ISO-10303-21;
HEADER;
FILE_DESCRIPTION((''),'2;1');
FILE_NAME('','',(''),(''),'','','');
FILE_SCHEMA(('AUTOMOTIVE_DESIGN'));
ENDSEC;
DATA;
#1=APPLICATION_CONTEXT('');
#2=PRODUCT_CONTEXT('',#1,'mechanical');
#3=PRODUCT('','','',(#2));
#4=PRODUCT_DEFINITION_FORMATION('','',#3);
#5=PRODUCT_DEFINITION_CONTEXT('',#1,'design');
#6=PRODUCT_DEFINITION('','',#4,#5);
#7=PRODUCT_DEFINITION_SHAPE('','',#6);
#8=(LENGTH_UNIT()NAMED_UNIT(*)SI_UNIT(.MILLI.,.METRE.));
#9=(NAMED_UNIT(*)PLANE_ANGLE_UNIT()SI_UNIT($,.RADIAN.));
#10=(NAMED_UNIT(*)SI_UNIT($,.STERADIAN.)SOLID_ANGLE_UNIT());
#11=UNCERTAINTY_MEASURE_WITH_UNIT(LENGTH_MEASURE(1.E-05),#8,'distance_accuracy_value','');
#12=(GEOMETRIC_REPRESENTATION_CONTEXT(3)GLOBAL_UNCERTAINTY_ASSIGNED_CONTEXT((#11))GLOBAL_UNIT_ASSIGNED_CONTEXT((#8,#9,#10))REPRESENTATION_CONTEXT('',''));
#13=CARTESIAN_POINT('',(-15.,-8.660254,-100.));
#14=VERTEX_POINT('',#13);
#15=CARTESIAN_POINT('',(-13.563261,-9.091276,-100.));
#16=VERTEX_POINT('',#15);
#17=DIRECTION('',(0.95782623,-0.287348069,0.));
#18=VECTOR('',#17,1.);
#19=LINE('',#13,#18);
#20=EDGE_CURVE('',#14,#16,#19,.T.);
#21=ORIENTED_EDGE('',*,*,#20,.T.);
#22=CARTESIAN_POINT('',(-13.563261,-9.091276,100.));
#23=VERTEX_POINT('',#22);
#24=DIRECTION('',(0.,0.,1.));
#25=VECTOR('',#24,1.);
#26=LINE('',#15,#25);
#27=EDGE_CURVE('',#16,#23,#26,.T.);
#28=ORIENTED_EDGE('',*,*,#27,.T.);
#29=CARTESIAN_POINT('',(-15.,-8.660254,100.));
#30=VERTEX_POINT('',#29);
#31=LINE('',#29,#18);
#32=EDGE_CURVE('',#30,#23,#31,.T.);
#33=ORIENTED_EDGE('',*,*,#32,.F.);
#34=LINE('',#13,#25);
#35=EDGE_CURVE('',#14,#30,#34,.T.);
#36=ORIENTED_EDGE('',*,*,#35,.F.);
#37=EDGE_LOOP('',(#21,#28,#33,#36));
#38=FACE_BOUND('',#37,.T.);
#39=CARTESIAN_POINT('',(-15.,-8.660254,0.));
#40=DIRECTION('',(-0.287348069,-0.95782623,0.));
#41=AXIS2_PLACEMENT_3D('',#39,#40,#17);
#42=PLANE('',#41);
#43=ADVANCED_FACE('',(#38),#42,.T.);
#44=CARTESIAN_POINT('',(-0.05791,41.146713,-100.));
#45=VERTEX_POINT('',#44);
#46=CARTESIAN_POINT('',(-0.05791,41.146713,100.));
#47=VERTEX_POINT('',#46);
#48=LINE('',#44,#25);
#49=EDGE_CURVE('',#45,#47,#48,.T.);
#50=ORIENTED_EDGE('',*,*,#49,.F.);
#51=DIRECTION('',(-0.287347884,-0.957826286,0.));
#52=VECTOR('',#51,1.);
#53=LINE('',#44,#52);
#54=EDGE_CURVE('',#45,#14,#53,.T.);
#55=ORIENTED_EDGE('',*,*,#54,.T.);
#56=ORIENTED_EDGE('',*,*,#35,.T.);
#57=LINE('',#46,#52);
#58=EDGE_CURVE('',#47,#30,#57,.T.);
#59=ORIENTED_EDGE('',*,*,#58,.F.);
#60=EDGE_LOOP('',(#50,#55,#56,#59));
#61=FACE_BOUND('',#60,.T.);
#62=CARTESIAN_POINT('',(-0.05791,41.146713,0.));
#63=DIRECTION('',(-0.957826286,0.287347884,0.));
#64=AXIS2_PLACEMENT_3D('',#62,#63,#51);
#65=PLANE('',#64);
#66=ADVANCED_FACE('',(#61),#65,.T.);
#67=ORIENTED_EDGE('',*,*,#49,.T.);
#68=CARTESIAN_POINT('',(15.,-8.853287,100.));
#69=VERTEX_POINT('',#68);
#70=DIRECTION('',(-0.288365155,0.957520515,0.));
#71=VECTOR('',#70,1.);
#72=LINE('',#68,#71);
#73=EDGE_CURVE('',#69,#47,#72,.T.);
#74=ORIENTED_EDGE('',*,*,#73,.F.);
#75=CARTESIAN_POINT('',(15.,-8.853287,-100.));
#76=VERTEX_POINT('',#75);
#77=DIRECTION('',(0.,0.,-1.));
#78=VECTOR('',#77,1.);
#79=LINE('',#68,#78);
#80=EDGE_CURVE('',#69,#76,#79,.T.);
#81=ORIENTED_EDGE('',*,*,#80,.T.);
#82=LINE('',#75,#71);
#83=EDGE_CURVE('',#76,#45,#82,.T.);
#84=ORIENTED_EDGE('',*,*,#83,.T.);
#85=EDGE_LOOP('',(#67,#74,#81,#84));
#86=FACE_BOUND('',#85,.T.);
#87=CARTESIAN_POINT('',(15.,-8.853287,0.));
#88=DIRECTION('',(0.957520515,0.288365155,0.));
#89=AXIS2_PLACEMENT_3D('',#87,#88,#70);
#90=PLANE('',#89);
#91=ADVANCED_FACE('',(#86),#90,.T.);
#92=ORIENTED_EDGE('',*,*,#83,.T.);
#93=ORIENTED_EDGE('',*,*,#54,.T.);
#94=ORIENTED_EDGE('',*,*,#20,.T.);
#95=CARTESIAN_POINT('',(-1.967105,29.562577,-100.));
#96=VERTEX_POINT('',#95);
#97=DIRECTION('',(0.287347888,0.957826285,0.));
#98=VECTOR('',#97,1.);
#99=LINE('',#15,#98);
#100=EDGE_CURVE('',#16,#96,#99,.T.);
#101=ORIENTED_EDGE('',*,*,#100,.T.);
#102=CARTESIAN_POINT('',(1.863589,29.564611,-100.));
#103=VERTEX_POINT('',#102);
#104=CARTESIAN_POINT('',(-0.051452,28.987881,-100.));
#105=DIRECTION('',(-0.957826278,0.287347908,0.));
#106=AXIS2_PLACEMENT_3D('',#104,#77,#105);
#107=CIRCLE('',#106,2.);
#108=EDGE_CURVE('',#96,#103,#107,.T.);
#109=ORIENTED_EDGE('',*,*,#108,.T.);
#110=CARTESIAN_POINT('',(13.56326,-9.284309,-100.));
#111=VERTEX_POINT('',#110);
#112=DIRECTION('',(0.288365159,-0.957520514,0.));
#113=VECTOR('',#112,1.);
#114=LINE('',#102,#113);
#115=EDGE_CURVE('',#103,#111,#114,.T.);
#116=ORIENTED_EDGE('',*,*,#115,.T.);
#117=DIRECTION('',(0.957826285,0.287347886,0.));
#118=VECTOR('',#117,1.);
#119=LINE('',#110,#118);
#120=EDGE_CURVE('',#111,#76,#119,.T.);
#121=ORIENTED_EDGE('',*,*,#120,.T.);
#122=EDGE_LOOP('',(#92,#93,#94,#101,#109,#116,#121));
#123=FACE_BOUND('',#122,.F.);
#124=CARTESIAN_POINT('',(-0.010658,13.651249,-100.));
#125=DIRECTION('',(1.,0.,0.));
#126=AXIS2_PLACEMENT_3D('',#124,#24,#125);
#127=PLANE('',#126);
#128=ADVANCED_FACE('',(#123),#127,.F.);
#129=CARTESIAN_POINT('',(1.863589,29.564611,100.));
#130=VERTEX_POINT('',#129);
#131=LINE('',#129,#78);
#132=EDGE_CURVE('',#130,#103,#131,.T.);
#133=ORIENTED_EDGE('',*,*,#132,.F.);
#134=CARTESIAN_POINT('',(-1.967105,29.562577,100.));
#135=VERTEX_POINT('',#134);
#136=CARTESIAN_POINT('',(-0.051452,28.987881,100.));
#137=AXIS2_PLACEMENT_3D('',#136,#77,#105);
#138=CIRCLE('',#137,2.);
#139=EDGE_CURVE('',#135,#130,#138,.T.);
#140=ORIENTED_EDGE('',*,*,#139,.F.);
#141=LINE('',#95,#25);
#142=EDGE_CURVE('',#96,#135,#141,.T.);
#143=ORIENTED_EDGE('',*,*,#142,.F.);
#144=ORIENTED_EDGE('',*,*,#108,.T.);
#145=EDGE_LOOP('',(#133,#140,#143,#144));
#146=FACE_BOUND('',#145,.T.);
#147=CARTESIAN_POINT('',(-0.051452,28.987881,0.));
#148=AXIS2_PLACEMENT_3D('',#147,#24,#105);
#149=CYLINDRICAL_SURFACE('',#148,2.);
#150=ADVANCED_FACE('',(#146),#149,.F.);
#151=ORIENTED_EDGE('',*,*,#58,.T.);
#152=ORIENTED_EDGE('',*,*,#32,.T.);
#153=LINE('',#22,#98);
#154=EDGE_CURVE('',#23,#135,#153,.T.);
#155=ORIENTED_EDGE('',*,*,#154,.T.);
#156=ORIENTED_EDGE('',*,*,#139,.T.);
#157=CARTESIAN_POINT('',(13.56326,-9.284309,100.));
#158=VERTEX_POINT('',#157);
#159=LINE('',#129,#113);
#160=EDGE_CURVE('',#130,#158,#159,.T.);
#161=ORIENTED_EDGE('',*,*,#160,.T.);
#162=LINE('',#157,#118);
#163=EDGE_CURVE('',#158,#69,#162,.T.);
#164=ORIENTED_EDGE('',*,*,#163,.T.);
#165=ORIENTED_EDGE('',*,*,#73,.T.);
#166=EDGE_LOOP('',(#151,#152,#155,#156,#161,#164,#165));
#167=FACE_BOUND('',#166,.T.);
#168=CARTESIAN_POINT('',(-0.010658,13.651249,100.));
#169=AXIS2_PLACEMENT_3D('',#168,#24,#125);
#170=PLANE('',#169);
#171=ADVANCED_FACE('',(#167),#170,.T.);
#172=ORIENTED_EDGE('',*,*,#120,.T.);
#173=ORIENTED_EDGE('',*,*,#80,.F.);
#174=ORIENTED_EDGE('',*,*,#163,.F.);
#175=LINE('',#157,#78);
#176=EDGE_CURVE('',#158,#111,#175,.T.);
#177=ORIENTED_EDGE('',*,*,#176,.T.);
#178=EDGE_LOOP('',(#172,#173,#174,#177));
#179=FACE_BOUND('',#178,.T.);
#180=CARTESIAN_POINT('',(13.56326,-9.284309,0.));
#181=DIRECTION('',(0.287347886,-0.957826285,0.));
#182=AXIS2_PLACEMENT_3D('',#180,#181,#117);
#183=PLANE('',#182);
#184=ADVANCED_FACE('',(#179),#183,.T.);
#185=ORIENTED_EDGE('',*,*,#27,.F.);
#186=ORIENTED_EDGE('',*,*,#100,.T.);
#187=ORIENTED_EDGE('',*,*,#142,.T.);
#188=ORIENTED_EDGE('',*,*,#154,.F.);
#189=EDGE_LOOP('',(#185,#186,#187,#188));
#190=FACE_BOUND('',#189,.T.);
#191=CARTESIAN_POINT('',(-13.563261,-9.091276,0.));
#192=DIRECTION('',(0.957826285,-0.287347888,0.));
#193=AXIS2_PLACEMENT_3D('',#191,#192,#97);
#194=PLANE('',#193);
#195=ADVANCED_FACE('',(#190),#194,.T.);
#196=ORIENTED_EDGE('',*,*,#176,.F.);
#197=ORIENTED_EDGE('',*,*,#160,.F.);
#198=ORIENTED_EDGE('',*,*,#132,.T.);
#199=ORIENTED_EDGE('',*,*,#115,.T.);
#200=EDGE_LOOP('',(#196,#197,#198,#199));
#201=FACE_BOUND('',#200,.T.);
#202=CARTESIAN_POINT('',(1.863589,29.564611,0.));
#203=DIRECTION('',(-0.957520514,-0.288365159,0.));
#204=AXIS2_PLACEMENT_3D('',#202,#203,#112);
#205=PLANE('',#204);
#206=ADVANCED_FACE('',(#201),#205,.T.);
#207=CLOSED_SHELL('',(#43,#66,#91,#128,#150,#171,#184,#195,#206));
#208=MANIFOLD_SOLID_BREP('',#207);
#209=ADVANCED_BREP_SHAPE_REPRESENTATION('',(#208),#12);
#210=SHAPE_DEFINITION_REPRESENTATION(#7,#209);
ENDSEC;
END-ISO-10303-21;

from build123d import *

# Parameters (mm, degrees)
F1_DEPTH = 100


with BuildPart() as f1:
    # F0 (on Top) → F1 (new body, symmetric)
    with BuildSketch(Plane.XY):
        with BuildLine():
            Line((15, -8.853287), (-0.05791, 41.146713))
            Line((-0.05791, 41.146713), (-15, -8.660254))
            Line((-15, -8.660254), (-13.563261, -9.091276))
            Line((-13.563261, -9.091276), (-1.967105, 29.562577))
            ThreePointArc((-1.967105, 29.562577), (-0.052514, 30.987881), (1.863589, 29.564611))
            Line((1.863589, 29.564611), (13.56326, -9.284309))
            Line((13.56326, -9.284309), (15, -8.853287))
        make_face()
    extrude(amount=F1_DEPTH, both=True)


solid = f1.part
